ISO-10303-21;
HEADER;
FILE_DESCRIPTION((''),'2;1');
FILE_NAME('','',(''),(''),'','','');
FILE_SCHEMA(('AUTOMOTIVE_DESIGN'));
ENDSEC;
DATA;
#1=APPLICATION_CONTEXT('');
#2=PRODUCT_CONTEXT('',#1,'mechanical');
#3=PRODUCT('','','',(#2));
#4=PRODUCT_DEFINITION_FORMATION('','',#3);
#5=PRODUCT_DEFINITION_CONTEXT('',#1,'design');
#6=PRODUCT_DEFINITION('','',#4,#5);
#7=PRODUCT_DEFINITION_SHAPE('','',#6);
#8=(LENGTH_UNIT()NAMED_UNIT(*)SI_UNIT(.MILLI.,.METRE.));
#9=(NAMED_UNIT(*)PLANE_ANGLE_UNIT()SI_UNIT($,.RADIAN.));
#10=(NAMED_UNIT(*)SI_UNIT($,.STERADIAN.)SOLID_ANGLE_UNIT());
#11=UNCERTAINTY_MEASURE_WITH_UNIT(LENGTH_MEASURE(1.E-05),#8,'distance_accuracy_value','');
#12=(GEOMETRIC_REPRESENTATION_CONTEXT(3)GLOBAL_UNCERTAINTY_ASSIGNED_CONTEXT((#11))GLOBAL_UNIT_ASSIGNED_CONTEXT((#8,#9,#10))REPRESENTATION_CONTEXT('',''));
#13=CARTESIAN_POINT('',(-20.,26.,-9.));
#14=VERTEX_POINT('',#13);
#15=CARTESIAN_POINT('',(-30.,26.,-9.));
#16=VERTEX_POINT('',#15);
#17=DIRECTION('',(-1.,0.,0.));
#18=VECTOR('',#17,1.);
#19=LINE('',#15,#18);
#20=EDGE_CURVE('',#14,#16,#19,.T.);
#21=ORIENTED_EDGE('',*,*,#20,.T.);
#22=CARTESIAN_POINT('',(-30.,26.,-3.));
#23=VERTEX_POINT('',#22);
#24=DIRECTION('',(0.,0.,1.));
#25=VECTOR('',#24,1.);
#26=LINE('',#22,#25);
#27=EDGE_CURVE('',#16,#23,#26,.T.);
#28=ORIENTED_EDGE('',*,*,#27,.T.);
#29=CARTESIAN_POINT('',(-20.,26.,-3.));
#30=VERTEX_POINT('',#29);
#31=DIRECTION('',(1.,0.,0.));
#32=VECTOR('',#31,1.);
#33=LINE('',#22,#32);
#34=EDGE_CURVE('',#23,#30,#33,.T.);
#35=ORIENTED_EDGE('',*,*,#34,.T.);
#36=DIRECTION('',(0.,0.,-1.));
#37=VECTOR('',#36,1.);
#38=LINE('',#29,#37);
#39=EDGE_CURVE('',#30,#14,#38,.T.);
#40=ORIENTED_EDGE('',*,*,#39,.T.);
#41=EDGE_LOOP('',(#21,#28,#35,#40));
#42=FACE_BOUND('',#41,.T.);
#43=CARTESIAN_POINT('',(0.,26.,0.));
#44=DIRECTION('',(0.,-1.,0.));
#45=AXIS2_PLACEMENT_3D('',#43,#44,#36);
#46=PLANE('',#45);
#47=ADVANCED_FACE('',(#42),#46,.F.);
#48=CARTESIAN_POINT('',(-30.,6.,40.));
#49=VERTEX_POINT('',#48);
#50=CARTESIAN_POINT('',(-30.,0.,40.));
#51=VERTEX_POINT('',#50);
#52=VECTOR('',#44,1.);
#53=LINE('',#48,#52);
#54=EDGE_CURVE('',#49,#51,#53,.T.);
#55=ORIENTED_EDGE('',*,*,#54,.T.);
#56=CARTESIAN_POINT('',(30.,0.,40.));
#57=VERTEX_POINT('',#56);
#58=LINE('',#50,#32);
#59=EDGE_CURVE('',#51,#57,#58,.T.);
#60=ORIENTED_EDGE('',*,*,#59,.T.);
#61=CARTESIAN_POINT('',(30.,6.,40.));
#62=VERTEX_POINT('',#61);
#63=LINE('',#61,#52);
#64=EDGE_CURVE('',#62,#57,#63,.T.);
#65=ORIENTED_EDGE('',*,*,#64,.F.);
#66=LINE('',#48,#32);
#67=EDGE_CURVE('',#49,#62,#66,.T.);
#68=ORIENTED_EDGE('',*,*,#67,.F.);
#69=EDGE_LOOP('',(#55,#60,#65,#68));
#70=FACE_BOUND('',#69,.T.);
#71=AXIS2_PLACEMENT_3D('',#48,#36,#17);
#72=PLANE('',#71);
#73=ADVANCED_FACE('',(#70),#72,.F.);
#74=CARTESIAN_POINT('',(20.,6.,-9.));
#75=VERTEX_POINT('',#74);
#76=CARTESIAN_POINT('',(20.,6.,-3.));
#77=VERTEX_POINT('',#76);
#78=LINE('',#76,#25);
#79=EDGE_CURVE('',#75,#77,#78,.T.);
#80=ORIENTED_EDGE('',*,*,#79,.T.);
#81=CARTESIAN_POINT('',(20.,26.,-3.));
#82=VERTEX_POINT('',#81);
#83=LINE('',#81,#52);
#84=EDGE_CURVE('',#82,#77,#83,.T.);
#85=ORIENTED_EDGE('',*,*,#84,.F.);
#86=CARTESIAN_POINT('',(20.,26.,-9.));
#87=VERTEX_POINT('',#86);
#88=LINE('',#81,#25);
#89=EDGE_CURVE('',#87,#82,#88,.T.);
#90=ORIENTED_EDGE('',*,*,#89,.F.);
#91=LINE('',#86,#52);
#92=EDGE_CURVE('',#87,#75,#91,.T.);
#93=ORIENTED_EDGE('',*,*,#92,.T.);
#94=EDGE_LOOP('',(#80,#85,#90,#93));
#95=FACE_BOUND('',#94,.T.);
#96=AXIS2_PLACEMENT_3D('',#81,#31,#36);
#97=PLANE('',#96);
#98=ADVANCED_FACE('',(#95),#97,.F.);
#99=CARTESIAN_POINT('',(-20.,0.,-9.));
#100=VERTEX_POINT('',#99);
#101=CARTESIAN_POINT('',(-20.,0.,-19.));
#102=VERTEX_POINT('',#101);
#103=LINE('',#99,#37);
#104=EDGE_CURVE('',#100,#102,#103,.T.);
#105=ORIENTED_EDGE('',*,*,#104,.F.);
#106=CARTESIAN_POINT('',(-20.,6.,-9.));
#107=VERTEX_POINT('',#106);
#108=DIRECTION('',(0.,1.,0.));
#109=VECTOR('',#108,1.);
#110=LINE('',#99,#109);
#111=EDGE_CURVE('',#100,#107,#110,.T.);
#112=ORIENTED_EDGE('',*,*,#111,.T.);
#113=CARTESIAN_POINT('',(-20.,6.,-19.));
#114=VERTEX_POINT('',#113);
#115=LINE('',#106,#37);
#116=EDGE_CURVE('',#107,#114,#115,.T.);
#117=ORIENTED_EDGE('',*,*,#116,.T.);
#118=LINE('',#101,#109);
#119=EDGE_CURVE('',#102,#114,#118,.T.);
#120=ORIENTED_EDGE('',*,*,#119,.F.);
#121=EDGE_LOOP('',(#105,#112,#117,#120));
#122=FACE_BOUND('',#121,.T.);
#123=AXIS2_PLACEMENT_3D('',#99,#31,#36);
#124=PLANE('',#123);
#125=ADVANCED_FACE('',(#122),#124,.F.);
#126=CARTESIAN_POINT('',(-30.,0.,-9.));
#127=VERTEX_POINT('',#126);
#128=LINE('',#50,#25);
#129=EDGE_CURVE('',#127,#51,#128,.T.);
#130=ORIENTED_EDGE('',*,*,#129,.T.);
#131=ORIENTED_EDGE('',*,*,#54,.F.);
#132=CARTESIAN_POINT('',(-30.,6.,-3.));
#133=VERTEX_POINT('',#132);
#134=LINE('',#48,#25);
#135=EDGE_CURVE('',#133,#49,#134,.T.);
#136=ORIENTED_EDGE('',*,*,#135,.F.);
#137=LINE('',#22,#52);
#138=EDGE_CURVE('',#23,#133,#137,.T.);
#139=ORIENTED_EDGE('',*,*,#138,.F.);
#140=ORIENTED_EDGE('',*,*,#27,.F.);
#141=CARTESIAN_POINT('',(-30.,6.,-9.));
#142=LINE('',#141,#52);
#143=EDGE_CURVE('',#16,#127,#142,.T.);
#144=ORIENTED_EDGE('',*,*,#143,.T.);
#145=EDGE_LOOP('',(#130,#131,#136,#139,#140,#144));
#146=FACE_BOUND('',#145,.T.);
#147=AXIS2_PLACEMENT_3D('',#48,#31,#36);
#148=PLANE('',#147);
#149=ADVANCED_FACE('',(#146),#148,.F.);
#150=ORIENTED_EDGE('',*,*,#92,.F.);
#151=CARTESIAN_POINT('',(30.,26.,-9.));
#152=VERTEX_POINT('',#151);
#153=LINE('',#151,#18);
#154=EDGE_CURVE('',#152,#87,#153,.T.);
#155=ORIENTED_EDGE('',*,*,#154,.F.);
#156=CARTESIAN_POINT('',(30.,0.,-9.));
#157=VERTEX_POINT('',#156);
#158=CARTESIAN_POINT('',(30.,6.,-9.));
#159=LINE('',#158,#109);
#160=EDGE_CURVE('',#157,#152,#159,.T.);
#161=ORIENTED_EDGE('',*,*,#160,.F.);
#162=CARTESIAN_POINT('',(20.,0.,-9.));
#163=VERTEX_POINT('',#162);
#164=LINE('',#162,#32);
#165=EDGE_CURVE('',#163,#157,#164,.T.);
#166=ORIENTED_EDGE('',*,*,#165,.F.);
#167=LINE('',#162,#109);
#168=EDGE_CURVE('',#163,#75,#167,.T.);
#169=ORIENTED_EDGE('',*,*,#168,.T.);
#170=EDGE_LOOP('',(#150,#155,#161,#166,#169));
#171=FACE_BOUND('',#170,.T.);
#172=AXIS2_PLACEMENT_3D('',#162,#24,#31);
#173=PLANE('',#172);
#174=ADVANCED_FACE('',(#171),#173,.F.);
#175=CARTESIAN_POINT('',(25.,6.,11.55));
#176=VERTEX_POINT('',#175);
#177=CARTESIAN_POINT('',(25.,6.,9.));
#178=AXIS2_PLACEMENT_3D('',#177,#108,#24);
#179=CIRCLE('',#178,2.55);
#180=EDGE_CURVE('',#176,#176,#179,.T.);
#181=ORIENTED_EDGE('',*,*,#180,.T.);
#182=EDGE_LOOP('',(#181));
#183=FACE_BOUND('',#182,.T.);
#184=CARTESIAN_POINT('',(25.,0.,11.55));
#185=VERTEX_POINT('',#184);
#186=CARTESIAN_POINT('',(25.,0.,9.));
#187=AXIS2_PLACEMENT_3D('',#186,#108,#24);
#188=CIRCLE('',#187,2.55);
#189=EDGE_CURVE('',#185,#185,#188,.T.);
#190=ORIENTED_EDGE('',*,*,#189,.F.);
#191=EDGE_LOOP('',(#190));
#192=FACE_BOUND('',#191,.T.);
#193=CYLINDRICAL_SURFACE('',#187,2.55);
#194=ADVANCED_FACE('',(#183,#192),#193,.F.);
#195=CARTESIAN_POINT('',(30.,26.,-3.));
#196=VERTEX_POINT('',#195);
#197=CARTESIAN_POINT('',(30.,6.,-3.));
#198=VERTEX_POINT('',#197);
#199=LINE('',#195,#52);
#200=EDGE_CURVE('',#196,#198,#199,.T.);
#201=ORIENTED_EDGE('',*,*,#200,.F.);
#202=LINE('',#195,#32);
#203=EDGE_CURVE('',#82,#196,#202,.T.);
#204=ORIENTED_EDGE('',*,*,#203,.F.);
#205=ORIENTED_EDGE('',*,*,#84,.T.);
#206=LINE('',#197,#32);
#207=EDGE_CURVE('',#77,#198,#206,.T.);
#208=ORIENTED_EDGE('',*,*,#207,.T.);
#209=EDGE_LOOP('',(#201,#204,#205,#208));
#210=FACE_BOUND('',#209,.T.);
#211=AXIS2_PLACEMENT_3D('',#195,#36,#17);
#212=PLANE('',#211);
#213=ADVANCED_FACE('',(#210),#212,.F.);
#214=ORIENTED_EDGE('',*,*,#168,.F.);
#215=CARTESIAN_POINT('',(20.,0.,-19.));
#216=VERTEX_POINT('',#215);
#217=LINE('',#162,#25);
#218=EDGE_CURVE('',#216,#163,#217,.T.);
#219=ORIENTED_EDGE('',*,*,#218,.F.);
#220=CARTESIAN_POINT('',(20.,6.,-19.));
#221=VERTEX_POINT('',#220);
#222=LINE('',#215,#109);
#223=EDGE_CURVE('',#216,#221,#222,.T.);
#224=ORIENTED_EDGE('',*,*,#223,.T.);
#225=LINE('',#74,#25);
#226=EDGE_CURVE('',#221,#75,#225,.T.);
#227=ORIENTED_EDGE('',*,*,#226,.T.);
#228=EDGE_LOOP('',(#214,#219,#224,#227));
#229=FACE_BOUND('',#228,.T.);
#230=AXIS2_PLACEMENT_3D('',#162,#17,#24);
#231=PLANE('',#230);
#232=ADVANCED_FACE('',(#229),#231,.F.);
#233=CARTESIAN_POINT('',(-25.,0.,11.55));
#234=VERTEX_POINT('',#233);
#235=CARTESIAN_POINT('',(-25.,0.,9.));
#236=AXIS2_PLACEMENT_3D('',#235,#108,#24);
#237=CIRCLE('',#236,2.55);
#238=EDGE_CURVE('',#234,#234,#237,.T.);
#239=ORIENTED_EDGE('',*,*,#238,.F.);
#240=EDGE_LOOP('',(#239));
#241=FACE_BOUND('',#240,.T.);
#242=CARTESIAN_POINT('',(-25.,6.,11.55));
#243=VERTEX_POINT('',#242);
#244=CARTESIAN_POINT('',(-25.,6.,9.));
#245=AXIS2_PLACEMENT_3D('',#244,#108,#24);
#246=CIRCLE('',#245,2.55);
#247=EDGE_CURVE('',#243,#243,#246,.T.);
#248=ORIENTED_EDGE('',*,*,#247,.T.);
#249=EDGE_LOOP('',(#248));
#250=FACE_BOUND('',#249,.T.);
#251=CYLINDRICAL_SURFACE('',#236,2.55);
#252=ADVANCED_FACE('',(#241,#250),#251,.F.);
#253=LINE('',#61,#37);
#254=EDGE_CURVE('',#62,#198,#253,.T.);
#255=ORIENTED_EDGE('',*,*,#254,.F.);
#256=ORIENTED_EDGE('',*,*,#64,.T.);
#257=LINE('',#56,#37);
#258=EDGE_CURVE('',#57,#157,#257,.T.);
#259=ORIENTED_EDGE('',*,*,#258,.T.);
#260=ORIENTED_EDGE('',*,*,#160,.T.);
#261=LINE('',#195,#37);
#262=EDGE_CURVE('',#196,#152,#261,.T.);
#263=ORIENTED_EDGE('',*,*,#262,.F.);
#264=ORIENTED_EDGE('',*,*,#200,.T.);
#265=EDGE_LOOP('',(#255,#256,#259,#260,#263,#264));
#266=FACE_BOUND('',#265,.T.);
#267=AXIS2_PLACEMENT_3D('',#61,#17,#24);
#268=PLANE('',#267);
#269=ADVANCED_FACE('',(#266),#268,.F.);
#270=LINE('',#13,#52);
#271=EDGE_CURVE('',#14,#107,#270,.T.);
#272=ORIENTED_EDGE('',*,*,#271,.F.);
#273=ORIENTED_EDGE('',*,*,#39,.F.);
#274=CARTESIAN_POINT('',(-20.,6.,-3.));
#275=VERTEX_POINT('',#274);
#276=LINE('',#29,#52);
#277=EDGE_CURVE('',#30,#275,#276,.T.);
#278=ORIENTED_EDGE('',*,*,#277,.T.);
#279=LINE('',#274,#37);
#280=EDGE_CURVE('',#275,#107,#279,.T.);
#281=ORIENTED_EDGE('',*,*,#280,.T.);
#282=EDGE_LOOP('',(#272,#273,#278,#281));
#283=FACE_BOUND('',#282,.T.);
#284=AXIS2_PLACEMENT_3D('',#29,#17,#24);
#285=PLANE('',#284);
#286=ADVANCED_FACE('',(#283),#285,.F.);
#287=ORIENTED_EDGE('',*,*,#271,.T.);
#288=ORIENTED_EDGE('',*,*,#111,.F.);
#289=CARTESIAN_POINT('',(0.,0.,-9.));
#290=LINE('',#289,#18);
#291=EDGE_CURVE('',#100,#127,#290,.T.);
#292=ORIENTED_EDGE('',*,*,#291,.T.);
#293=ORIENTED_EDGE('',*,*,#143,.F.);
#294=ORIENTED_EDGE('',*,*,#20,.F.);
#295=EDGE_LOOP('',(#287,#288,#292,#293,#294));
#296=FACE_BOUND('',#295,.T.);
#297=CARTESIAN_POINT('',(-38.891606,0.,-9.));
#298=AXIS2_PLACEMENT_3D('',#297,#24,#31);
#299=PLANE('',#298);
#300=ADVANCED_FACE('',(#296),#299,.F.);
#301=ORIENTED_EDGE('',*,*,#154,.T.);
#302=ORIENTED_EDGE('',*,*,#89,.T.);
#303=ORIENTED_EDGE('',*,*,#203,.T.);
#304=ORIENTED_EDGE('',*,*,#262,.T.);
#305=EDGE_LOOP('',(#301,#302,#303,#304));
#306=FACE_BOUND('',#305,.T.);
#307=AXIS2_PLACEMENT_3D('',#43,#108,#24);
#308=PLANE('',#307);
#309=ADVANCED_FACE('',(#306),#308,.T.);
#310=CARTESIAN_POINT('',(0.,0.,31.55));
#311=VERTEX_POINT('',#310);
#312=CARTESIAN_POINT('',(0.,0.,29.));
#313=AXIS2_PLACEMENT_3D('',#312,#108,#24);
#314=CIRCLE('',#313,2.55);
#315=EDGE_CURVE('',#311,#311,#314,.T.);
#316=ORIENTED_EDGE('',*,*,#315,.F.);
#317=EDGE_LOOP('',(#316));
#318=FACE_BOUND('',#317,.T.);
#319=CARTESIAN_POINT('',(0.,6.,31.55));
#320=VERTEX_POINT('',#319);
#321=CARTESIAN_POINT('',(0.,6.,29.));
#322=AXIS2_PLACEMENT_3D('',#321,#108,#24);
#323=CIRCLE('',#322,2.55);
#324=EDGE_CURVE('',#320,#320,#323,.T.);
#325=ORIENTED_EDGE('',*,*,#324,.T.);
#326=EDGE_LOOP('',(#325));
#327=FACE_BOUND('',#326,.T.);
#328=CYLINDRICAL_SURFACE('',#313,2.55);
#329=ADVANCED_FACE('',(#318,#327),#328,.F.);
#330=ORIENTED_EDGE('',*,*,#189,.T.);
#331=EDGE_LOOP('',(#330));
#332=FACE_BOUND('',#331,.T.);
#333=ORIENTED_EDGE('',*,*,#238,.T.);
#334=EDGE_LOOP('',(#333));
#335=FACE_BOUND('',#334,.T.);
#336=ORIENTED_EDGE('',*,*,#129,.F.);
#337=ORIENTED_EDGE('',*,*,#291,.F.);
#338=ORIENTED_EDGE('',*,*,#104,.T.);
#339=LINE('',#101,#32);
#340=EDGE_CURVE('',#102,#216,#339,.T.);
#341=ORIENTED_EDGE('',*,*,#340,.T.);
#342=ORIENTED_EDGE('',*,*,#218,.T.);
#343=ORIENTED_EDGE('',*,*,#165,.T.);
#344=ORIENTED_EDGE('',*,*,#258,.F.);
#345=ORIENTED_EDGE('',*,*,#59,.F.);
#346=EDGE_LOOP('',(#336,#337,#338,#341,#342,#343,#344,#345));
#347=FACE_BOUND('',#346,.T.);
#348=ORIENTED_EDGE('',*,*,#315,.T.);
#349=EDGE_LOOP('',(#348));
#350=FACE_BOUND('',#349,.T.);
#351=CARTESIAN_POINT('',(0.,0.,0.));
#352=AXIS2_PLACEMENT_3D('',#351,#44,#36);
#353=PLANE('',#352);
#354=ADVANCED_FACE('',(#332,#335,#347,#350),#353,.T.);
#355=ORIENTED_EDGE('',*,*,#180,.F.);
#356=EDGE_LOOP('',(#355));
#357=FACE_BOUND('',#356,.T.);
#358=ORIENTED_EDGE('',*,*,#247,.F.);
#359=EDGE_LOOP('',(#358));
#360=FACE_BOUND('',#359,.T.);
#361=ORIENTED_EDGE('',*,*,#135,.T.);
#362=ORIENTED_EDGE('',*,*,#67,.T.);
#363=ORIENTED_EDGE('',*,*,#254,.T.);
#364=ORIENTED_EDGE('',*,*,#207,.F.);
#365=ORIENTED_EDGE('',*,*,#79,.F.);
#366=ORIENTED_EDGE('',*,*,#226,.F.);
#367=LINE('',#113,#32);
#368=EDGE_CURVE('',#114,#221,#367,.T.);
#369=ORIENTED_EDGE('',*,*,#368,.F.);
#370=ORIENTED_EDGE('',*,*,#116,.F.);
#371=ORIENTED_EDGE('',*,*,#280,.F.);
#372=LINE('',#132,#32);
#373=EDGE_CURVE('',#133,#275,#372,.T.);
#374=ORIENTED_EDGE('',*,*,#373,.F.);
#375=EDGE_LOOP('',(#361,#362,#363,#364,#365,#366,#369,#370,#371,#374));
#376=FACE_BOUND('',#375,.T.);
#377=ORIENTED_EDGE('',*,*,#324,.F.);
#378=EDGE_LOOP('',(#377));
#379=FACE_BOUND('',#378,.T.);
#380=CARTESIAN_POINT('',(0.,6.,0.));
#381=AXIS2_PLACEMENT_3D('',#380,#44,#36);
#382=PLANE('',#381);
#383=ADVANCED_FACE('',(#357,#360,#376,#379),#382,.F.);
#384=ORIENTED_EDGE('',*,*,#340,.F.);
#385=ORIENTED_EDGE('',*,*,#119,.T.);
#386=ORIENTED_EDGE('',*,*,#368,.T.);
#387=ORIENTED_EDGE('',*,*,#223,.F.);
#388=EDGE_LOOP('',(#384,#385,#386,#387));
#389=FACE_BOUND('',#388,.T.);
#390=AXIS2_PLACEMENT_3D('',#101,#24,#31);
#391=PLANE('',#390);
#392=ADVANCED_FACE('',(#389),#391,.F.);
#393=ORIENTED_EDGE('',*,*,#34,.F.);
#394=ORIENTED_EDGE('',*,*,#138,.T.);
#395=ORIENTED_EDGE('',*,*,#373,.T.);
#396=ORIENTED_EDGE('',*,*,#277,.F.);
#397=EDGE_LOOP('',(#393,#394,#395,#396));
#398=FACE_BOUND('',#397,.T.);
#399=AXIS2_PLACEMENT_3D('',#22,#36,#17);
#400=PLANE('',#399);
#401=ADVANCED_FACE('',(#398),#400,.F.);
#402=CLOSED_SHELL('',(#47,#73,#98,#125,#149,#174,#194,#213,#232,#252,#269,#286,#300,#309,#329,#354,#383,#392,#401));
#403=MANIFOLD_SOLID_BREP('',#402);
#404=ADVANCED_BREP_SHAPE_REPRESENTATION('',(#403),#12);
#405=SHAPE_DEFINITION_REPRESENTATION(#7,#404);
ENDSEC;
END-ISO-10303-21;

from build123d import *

# Parameters (mm, degrees)
SKETCH1_W           = 60
SKETCH1_H           = 80
BOSS_EXTRUDE1_DEPTH = 6
SKETCH2_R           = 2.55
CUT_EXTRUDE1_DEPTH  = 51.358713248
SKETCH3_W           = 10
SKETCH3_H           = 6
BOSS_EXTRUDE2_DEPTH = 20


with BuildPart() as part:
    # Sketch1 → Boss-Extrude1 (new body)
    with BuildSketch(Plane(origin=(0, 0, 0), x_dir=(1, 0, 0), z_dir=(0, 1, 0))):
        Rectangle(SKETCH1_W, SKETCH1_H)
    extrude(amount=BOSS_EXTRUDE1_DEPTH)

    # Sketch2 → Cut-Extrude1 (cut, through all)
    with BuildSketch(Plane(origin=(0, 6, 0), x_dir=(1, 0, 0), z_dir=(0, 1, 0))):
        with Locations(Location((25, -9, 0), (0, 0, 270))):
            Circle(SKETCH2_R)
        with Locations(Location((-25, -9, 0), (0, 0, 270))):
            Circle(SKETCH2_R)
        with Locations(Location((0, -29, 0), (0, 0, 270))):
            Circle(SKETCH2_R)
        Polygon((-38.891606185, 9), (-20, 9), (-20, 19), (20, 19), (20, 9), (37.945141675, 9), (37.945141675, 57.336722716), (-38.891606185, 57.336722716), align=None)
    extrude(amount=-CUT_EXTRUDE1_DEPTH, mode=Mode.SUBTRACT)

    # Sketch3 → Boss-Extrude2 (add)
    with BuildSketch(Plane(origin=(0, 6, 0), x_dir=(1, 0, 0), z_dir=(0, 1, 0))):
        with Locations((25, 6)):
            Rectangle(SKETCH3_W, SKETCH3_H)
        with Locations((-25, 6)):
            Rectangle(SKETCH3_W, SKETCH3_H)
    extrude(amount=BOSS_EXTRUDE2_DEPTH)


solid = part.part
